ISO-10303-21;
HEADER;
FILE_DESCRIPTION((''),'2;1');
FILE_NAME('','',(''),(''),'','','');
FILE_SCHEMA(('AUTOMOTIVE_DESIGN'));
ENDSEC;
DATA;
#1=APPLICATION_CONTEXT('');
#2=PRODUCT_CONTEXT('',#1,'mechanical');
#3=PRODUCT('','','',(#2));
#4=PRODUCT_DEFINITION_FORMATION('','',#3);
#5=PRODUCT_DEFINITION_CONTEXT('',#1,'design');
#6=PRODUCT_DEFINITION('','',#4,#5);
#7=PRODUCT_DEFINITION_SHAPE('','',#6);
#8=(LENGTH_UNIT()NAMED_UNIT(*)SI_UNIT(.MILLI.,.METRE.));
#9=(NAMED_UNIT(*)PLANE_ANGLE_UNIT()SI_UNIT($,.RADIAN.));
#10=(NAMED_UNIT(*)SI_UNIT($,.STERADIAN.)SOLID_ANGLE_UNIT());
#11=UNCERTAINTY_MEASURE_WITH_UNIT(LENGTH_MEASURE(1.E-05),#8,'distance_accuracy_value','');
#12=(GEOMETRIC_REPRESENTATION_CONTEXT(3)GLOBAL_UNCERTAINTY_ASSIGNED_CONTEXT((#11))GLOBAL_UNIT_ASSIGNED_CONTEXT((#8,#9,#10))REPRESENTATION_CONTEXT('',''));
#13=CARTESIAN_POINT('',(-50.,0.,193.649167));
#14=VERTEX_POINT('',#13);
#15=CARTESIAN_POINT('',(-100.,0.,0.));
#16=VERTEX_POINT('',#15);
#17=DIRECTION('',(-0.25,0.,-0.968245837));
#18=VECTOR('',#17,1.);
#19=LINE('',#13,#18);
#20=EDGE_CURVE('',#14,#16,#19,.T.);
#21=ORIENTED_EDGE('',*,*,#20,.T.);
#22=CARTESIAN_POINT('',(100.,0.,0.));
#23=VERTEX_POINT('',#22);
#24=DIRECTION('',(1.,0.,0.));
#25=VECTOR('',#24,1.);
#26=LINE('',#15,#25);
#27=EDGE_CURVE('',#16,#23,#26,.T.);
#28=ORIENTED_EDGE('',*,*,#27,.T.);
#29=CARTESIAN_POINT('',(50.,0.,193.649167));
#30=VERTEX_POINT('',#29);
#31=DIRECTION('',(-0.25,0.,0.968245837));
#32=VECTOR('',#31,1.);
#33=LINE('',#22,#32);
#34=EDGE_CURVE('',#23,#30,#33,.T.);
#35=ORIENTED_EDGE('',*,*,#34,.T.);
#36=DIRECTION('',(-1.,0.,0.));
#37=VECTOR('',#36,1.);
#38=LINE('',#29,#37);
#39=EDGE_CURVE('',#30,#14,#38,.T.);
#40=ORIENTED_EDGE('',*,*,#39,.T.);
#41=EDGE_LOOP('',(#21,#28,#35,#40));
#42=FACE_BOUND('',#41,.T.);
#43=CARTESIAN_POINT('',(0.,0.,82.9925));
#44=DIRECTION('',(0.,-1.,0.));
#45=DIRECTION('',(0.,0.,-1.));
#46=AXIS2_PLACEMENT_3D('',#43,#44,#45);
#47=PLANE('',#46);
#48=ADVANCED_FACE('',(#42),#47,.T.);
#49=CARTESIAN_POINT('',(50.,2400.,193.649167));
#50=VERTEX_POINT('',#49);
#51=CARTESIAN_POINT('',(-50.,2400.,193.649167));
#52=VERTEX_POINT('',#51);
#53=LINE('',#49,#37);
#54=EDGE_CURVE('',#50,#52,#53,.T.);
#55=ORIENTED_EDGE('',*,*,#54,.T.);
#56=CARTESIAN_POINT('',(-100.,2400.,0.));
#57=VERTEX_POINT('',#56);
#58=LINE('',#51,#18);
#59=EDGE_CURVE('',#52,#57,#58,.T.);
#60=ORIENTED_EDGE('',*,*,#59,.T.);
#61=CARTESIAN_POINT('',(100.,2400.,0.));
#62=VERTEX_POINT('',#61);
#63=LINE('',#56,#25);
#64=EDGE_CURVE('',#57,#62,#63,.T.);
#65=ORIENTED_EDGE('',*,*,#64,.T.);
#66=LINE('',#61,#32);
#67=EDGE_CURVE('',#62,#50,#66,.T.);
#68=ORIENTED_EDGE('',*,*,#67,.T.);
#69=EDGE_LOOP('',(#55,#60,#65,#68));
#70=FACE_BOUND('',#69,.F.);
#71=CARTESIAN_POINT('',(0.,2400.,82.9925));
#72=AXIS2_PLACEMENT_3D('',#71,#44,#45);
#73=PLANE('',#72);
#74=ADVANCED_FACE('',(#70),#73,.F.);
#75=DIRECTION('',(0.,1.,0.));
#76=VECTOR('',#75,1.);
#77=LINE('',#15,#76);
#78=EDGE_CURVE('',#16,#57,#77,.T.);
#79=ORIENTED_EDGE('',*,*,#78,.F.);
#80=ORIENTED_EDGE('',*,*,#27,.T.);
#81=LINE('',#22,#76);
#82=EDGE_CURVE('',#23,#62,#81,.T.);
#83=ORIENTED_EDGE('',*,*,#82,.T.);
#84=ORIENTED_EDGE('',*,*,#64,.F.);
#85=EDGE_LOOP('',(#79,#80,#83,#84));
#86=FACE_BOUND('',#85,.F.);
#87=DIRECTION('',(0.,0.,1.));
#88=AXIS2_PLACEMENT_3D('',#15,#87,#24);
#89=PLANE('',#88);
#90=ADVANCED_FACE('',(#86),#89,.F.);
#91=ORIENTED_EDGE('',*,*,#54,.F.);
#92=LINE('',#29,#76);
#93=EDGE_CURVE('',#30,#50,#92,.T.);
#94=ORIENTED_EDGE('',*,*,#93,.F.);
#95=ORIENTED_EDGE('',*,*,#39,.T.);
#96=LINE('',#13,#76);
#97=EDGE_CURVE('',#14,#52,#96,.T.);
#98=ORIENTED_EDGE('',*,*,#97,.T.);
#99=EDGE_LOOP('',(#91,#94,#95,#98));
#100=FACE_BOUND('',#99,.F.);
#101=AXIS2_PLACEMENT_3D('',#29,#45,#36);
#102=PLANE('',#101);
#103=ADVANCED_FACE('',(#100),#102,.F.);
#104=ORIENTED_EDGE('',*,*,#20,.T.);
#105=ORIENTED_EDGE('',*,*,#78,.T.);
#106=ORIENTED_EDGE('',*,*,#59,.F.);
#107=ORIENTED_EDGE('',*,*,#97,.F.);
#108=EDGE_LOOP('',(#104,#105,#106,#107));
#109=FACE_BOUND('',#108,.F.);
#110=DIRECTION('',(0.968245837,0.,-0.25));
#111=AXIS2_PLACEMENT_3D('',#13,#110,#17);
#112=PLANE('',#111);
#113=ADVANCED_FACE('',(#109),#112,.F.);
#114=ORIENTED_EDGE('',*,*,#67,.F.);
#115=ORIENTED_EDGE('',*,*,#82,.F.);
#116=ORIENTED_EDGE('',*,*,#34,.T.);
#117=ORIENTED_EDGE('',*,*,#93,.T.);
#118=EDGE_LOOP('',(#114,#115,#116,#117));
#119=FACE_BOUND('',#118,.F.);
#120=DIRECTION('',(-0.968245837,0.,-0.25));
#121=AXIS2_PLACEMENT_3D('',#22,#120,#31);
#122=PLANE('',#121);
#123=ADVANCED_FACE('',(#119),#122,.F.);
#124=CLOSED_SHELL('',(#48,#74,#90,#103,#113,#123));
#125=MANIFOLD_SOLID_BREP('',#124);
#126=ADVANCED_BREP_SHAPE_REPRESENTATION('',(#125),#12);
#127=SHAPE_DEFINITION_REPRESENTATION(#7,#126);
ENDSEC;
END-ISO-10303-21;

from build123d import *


with BuildPart() as f2:
    # F2: sweep along a path in F1
    with BuildLine(Plane.XY) as f2_path:
        Line((0, 0), (0, 2400))
    # F0 (on Front) → F2 (sweep)
    with BuildSketch(Plane.XZ):
        Polygon((-50, 193.6491673104), (-100, 0), (100, 0), (50, 193.6491673104), align=None)
    sweep(path=f2_path.line)


solid = f2.part
